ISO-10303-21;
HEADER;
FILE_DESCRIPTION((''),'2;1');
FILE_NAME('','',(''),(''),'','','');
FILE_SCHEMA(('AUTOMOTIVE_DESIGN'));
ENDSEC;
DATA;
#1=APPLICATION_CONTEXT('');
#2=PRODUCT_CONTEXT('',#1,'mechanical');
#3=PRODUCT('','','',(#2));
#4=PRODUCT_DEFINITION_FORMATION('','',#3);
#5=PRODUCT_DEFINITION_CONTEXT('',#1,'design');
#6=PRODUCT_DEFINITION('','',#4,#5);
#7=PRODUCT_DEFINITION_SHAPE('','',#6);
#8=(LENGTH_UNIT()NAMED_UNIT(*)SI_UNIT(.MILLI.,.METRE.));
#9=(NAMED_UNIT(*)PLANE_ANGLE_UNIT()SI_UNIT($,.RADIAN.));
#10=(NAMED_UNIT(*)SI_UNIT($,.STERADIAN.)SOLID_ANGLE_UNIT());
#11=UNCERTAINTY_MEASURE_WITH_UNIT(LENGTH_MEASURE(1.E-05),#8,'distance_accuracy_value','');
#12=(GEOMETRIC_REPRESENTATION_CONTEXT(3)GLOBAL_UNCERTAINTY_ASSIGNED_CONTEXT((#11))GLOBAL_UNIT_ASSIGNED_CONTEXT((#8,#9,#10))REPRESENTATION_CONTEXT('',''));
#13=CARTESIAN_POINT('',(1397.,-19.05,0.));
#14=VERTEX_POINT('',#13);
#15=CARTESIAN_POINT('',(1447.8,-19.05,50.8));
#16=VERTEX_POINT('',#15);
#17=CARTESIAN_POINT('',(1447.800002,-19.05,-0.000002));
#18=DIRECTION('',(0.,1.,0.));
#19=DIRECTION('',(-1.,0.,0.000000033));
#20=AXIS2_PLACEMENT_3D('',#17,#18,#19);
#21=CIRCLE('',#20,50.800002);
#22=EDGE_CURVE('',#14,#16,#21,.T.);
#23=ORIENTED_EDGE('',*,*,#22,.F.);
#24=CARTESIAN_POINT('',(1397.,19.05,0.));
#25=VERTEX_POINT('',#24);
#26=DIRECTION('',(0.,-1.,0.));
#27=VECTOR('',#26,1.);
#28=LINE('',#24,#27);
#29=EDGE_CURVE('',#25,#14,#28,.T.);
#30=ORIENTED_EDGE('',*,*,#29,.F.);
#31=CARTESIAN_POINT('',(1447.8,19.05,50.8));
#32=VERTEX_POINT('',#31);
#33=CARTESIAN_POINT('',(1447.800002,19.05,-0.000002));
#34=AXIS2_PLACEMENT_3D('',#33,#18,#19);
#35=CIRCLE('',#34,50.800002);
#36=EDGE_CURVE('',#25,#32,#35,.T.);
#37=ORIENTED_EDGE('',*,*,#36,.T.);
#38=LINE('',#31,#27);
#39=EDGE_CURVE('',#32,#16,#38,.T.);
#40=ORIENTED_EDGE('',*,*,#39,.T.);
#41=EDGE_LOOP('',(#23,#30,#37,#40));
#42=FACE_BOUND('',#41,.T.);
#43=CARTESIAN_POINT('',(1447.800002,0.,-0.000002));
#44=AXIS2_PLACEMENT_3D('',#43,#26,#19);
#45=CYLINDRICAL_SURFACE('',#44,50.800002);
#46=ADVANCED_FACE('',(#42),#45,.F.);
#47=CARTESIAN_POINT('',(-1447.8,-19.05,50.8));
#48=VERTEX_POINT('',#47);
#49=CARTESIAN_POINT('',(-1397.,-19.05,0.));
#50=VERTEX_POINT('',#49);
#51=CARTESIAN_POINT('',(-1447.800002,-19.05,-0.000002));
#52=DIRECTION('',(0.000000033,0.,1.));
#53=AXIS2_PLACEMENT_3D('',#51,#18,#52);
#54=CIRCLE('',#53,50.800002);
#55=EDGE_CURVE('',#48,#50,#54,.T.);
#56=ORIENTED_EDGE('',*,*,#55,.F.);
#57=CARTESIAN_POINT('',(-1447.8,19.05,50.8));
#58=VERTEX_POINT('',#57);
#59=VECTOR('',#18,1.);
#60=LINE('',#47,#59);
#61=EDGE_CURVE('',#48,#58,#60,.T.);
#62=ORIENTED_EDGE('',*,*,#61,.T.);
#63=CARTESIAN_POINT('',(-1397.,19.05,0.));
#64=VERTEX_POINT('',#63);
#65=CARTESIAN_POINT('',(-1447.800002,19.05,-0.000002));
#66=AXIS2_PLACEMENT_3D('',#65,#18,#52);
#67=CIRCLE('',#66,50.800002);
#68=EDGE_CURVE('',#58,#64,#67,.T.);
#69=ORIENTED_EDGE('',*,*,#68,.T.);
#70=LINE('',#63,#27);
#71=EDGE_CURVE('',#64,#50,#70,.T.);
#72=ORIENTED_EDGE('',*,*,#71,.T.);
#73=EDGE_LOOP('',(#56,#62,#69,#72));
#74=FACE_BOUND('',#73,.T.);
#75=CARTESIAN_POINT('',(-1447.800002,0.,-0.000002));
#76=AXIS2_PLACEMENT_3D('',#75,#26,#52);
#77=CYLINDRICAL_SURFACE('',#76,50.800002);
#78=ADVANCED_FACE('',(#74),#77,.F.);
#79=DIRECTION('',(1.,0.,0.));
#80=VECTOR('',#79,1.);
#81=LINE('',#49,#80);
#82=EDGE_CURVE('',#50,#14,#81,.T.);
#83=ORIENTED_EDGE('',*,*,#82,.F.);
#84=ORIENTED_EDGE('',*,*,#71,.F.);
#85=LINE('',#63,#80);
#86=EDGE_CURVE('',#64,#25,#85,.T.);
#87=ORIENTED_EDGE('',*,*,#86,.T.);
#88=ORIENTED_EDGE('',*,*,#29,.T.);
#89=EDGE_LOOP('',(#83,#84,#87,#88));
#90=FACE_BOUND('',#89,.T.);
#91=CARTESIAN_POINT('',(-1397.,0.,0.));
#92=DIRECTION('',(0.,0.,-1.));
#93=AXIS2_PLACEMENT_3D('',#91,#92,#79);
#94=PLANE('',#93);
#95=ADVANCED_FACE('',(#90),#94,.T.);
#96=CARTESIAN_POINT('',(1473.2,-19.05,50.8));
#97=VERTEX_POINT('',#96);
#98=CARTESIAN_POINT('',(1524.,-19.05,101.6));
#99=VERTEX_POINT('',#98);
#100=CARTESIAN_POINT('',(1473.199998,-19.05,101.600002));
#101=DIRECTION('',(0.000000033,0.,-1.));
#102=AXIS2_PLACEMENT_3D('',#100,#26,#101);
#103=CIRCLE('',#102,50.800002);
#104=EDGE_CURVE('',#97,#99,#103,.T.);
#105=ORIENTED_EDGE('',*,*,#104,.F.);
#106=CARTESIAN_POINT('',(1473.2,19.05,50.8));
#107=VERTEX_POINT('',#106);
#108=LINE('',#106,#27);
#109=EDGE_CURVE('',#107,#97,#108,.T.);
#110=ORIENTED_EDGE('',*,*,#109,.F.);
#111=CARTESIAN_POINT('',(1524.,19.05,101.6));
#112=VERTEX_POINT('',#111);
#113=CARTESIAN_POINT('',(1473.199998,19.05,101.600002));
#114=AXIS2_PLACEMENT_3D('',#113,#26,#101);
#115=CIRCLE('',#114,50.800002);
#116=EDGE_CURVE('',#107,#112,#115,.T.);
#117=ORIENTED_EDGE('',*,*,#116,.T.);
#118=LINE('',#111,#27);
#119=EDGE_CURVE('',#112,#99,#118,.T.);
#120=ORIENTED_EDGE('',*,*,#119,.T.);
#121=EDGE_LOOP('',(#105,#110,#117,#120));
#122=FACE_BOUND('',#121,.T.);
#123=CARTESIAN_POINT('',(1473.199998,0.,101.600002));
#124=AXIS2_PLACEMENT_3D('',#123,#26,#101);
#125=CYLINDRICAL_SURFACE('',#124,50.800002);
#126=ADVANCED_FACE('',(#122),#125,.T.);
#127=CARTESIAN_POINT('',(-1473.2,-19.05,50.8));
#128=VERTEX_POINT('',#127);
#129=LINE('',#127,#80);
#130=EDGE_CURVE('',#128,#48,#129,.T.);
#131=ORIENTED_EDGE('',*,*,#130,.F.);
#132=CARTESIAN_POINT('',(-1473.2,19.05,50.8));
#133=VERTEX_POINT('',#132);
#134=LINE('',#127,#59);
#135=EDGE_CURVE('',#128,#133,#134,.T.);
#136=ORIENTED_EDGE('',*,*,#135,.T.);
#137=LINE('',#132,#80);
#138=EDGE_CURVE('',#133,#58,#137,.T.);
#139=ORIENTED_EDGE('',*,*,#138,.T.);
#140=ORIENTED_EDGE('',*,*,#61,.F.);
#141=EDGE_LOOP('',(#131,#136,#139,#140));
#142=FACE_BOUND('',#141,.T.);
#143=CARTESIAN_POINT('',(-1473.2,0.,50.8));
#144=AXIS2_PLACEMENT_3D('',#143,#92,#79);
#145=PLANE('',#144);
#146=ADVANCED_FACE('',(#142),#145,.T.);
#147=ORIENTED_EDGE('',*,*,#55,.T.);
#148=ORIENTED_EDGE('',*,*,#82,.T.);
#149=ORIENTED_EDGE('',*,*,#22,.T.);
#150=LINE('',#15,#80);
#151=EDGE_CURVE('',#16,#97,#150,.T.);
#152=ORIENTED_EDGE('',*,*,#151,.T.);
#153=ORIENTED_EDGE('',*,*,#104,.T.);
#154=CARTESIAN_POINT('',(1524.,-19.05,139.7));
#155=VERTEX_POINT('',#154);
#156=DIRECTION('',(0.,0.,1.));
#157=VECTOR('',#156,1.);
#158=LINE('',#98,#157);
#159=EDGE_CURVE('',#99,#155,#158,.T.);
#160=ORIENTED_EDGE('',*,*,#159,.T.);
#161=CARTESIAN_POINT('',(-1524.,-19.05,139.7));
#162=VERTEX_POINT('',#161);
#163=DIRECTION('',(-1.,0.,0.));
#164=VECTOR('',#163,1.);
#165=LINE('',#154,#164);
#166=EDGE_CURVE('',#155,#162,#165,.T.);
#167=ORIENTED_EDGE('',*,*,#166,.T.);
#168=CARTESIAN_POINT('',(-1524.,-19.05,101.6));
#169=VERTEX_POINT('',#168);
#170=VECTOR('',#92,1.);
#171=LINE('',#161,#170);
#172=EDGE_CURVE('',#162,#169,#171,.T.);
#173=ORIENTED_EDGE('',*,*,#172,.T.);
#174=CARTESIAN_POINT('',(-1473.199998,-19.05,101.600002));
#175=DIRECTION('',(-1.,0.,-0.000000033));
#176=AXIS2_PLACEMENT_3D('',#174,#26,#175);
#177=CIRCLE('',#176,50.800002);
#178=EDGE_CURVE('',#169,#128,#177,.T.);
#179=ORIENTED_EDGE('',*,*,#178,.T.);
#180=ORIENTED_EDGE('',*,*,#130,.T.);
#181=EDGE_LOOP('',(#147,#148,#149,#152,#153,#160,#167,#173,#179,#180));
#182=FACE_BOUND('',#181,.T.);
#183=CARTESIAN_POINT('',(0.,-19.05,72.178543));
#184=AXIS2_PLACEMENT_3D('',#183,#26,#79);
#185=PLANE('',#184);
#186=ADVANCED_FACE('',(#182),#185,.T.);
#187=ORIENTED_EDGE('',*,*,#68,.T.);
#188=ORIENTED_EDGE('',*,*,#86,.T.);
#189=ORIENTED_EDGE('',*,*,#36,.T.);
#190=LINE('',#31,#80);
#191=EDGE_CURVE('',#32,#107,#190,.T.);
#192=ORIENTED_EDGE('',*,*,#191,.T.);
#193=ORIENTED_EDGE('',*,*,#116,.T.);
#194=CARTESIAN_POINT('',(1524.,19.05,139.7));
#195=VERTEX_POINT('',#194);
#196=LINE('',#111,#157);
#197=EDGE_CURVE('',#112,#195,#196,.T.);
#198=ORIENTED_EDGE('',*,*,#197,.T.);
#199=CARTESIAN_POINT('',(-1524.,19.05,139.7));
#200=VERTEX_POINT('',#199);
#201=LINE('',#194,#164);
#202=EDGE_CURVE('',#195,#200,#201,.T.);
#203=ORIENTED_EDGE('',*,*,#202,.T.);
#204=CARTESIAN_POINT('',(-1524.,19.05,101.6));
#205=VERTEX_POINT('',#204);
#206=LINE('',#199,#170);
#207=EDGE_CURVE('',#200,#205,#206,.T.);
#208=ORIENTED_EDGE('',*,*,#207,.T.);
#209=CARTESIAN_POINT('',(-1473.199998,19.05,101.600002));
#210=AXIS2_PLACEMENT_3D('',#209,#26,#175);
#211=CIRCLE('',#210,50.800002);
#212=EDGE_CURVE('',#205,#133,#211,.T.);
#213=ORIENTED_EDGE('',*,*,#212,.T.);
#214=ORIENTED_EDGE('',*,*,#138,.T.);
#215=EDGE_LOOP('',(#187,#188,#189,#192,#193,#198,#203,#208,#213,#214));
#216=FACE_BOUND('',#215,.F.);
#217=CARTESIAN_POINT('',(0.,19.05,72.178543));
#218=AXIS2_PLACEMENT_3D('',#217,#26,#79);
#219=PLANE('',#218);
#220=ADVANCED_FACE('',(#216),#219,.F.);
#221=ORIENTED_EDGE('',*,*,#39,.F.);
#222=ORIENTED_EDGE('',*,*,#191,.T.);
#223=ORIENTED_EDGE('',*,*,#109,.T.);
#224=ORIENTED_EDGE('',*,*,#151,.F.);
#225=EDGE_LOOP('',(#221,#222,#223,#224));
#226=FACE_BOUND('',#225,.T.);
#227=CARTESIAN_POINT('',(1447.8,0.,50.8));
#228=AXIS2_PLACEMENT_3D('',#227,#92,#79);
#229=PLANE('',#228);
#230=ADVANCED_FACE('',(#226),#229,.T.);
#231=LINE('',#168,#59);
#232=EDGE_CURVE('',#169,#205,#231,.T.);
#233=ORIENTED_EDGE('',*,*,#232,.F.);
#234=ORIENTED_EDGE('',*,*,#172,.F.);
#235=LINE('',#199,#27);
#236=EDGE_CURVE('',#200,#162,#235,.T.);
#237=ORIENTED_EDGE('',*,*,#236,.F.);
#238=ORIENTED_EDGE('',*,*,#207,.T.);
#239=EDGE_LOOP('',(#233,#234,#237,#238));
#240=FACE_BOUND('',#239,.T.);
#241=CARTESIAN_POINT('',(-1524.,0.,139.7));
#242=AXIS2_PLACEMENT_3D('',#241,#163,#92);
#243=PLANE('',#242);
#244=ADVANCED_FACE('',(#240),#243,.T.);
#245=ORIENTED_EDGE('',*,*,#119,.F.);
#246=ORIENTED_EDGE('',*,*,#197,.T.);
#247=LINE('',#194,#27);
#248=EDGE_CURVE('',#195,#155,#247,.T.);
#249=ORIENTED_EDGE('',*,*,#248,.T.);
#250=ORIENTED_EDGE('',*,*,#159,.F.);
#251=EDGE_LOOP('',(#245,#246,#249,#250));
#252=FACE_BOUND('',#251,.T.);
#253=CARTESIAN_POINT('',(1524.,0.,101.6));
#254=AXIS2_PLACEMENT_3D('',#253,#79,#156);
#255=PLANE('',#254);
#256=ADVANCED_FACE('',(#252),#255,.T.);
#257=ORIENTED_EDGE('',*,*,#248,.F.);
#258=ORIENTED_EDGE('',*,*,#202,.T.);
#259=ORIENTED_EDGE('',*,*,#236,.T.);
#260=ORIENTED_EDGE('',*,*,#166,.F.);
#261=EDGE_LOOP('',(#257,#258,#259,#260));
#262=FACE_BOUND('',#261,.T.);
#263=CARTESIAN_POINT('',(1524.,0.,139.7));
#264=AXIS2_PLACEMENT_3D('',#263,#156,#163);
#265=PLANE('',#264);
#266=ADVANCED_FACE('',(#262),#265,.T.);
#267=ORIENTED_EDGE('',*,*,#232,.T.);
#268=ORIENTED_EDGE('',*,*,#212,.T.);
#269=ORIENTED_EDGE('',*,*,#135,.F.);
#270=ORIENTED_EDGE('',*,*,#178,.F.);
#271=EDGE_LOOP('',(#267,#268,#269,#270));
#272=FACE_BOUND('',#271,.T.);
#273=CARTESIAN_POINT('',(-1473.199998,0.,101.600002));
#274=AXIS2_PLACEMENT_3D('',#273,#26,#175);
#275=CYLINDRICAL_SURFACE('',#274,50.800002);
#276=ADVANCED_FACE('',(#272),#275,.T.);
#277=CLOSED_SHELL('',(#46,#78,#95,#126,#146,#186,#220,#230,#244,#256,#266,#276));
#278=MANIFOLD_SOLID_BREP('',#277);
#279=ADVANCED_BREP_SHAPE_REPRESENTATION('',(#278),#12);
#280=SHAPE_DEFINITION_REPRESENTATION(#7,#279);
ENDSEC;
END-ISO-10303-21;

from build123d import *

# Parameters (mm, degrees)
F1_DEPTH = 19.05


with BuildPart() as f1:
    # F0 (on Front) → F1 (new body, symmetric)
    with BuildSketch(Plane.XZ):
        with BuildLine():
            ThreePointArc((-1447.8, 50.8), (-1411.878976, 35.921024), (-1397, 0))
            Line((-1397, 0), (1397, 0))
            ThreePointArc((1397, 0), (1411.878976, 35.921024), (1447.8, 50.8))
            Line((1447.8, 50.8), (1473.2, 50.8))
            ThreePointArc((1473.2, 50.8), (1509.121024, 65.678976), (1524, 101.6))
            Line((1524, 101.6), (1524, 139.7))
            Line((1524, 139.7), (-1524, 139.7))
            Line((-1524, 139.7), (-1524, 101.6))
            ThreePointArc((-1524, 101.6), (-1509.121024, 65.678976), (-1473.2, 50.8))
            Line((-1473.2, 50.8), (-1447.8, 50.8))
        make_face()
    extrude(amount=F1_DEPTH, both=True)


solid = f1.part
